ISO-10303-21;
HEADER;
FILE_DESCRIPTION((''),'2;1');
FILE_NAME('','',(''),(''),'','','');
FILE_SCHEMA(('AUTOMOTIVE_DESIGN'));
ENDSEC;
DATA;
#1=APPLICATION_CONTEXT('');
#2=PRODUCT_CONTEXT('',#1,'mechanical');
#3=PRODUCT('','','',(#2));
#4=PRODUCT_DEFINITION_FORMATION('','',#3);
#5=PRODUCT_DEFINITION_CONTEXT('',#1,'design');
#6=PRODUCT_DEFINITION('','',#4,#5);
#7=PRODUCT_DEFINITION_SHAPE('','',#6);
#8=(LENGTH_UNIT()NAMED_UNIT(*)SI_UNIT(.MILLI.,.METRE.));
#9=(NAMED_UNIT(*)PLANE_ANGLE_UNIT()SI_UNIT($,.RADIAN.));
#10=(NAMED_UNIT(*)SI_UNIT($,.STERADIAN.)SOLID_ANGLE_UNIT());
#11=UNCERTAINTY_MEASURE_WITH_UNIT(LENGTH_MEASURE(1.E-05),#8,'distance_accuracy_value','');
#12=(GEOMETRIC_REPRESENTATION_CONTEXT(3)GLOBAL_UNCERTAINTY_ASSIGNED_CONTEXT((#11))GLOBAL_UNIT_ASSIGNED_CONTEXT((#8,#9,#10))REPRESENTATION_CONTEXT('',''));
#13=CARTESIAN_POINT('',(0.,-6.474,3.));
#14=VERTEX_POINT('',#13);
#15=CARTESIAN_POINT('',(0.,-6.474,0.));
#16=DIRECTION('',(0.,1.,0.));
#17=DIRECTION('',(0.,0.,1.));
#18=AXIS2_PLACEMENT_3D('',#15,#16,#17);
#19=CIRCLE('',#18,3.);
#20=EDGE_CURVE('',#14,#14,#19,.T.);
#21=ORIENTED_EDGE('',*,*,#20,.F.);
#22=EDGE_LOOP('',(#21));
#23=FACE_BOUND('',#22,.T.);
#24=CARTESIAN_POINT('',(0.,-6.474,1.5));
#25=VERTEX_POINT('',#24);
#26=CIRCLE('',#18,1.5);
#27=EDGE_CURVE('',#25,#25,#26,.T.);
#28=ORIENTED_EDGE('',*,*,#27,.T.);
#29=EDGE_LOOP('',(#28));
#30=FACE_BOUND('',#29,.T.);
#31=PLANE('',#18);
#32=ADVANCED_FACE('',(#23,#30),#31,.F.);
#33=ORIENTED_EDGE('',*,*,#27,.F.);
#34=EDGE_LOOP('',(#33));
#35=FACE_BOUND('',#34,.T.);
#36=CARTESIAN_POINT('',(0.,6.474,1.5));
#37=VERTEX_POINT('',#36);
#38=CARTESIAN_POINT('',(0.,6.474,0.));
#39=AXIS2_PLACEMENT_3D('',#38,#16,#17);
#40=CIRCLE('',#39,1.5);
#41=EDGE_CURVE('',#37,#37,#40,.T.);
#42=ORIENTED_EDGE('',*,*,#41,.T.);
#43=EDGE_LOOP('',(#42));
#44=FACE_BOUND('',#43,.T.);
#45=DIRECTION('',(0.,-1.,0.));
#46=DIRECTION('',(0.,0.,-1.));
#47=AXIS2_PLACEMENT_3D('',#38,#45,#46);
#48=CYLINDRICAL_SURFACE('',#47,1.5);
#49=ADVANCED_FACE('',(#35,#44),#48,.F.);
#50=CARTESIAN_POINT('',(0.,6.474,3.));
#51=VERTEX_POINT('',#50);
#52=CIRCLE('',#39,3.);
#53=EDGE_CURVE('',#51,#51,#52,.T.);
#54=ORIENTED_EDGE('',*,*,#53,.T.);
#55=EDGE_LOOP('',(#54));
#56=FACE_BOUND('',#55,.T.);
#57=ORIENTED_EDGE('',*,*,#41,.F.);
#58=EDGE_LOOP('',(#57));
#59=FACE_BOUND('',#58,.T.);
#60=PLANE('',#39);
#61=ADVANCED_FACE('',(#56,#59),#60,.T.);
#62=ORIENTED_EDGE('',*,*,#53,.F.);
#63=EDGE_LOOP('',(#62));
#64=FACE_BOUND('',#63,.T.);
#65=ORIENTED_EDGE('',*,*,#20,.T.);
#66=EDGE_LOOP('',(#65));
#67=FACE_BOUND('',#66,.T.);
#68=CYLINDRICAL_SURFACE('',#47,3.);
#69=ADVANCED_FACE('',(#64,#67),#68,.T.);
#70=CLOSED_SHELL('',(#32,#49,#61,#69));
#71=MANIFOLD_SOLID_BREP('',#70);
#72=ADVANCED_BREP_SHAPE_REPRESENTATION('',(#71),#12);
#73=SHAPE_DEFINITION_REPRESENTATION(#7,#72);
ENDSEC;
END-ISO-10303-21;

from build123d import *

# Parameters (mm, degrees)
SKETCH1_R           = 3
SKETCH1_R_2         = 1.5
BOSS_EXTRUDE1_DEPTH = 6.474


with BuildPart() as part:
    # Sketch1 → Boss-Extrude1 (new body, symmetric)
    with BuildSketch(Plane(origin=(0, 0, 0), x_dir=(1, 0, 0), z_dir=(0, 1, 0))):
        Circle(SKETCH1_R)
        Circle(SKETCH1_R_2, mode=Mode.SUBTRACT)
    extrude(amount=BOSS_EXTRUDE1_DEPTH, both=True)


solid = part.part
